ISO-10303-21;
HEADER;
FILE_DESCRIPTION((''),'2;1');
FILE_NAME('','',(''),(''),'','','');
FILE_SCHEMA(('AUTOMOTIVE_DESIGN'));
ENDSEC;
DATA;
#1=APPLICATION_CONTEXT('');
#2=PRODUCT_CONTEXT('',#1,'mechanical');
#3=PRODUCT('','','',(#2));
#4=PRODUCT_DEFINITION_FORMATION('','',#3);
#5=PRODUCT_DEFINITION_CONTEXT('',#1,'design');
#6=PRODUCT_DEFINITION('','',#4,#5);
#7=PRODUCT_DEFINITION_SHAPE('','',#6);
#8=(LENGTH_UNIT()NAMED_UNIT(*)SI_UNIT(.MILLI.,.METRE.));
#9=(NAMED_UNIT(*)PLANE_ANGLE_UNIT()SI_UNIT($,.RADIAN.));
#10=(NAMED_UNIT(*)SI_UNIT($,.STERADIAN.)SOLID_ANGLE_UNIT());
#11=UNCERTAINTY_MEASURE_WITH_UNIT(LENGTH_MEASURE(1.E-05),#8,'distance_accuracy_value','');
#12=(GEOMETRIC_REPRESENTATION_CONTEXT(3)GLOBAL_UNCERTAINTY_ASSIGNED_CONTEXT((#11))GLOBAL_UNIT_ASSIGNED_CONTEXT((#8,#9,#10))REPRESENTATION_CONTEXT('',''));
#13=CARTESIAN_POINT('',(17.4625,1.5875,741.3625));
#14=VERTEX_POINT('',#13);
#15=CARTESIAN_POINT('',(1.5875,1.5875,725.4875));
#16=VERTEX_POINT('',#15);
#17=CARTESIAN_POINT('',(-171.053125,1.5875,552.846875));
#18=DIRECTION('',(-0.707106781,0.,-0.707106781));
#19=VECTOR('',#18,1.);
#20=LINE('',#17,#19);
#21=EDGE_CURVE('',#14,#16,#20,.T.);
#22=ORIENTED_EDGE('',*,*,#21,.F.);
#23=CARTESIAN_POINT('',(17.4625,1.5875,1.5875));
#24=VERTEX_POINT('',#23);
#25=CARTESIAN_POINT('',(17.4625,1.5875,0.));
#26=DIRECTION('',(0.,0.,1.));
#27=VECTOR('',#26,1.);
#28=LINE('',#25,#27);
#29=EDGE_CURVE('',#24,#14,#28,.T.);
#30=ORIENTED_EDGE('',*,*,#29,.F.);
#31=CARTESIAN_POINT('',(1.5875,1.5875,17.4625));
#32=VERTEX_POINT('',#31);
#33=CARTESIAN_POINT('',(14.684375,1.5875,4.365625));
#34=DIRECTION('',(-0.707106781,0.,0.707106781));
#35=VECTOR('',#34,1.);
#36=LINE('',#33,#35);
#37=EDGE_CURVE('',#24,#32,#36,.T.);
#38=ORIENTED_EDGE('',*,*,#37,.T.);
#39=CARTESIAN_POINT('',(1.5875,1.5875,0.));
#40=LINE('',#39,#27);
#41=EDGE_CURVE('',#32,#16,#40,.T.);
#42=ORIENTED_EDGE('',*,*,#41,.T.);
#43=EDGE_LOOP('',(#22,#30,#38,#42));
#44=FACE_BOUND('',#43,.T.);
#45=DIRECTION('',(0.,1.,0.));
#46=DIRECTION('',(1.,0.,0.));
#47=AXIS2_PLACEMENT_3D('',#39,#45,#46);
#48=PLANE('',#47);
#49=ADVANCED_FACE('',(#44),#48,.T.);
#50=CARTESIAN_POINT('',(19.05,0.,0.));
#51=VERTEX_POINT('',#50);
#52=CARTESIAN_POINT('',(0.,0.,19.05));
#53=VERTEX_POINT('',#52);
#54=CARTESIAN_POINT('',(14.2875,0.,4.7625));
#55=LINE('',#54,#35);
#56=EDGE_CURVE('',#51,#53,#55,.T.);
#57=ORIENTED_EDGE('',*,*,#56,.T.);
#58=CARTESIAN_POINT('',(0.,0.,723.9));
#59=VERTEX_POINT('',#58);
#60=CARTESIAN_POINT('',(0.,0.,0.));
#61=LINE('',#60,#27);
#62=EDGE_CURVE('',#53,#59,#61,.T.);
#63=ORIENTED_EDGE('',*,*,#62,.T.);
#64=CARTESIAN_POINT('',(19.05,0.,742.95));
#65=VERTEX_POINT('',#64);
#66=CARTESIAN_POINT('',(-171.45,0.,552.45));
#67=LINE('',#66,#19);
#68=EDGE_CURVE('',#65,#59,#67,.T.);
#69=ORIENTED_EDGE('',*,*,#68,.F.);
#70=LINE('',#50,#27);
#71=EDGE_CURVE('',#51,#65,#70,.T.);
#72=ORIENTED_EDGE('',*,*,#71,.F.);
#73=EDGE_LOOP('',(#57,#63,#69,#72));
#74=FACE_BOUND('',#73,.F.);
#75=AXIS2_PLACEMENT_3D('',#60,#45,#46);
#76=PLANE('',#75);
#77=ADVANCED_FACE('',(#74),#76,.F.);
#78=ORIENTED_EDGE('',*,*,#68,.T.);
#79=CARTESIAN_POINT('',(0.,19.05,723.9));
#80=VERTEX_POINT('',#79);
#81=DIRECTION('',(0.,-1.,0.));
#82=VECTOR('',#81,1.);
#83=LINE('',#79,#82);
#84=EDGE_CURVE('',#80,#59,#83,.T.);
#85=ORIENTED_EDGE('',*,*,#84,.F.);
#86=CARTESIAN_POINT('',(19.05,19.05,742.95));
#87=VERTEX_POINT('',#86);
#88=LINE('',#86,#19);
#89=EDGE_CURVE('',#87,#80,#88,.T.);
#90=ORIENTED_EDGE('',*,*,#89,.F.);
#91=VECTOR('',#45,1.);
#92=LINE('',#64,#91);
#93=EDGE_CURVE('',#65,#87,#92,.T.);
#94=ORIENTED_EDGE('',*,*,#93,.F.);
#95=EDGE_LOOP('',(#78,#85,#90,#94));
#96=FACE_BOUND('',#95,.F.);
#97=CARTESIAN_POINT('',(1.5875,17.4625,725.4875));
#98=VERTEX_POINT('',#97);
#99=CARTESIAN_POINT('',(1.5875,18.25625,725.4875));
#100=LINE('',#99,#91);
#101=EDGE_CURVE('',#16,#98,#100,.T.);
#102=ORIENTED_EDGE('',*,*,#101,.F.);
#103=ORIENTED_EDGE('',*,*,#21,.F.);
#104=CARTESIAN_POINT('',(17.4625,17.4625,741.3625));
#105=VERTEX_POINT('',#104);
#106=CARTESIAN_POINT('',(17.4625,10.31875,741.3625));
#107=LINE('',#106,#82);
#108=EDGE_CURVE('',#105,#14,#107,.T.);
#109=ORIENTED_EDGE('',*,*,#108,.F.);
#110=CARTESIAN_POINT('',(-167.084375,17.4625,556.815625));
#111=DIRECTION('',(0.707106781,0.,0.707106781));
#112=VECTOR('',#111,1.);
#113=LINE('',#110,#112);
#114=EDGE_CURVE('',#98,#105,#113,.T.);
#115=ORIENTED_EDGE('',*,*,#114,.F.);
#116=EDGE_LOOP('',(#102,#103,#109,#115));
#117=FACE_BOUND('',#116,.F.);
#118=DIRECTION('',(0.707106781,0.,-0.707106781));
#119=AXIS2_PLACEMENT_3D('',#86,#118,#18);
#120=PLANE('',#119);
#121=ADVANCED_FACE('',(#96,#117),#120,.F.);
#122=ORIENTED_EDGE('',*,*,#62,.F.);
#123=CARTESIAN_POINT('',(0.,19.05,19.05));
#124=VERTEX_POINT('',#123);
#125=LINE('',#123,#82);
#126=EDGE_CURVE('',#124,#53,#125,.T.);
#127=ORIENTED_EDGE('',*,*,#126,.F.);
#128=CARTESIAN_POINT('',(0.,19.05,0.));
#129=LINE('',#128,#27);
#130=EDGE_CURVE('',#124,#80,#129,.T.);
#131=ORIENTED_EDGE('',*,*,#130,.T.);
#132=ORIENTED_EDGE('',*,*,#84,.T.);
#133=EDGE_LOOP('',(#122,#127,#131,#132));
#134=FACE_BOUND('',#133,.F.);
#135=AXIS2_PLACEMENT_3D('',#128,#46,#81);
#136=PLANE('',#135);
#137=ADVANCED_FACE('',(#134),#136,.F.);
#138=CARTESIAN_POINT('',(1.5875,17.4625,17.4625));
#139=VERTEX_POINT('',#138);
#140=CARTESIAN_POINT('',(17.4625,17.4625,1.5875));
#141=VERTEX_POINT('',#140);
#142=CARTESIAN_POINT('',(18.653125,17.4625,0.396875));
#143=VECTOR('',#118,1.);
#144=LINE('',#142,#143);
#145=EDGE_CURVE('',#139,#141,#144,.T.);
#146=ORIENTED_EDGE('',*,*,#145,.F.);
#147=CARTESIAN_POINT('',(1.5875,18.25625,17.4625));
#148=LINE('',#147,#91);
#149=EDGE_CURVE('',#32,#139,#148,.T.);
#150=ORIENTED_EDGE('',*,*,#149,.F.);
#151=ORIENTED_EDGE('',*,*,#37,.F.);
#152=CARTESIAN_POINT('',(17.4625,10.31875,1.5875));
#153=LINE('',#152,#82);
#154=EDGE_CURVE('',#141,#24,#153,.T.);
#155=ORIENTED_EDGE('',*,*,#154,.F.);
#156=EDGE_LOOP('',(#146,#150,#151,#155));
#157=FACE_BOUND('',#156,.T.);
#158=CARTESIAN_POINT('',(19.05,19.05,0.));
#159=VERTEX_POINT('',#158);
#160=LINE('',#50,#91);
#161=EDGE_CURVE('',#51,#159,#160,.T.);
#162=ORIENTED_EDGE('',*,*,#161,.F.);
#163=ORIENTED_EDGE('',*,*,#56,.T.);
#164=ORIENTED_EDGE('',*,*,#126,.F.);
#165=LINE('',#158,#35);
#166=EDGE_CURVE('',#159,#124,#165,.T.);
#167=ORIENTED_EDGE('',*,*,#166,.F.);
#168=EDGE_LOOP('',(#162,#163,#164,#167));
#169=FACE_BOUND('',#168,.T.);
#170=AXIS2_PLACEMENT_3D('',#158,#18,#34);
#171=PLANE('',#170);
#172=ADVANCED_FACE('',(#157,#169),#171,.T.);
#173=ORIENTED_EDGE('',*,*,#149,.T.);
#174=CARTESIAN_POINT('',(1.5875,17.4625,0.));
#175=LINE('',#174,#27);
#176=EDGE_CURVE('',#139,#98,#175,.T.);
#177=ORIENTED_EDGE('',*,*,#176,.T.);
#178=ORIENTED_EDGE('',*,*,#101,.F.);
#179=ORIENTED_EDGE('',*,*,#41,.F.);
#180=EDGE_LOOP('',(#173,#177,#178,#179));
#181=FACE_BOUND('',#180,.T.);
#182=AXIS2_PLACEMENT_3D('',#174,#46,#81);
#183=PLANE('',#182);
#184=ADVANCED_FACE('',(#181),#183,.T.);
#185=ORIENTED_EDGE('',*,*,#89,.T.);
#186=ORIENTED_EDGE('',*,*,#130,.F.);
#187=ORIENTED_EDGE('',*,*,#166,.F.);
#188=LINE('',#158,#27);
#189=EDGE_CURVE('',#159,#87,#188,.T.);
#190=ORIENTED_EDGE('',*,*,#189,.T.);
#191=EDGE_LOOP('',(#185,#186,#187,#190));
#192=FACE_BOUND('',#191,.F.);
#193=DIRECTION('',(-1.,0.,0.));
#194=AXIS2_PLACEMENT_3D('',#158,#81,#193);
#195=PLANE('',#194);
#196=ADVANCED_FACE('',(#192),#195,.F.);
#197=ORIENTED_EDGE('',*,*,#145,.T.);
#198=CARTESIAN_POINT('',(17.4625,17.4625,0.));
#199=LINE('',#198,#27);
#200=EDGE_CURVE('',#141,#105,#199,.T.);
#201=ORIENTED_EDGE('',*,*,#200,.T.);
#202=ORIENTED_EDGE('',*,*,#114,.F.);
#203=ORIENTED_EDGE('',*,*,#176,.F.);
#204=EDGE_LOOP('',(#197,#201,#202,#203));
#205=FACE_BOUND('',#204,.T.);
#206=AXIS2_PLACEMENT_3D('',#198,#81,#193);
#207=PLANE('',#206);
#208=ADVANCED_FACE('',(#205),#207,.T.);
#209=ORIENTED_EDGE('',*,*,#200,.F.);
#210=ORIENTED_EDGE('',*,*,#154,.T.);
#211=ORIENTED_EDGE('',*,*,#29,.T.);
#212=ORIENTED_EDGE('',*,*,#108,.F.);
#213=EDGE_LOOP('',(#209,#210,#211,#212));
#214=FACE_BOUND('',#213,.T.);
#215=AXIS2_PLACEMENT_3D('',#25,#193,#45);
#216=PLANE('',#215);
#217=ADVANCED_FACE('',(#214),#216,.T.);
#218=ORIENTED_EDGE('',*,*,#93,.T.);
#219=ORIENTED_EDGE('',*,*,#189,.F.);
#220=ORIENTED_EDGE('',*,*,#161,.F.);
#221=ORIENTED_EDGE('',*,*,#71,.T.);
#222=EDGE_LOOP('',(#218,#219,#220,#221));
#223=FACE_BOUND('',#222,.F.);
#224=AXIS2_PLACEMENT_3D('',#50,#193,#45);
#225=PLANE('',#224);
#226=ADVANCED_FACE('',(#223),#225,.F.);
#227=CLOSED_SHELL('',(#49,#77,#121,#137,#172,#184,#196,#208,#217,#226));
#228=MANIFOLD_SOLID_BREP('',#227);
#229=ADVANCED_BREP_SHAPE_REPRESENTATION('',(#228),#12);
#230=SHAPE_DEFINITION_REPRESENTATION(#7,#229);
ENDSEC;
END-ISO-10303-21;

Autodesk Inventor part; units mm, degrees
ref_plane "YZ Plane" through (0, 0, 0) normal (1, 0, 0) x (0, 1, 0)
ref_plane "XZ Plane" through (0, 0, 0) normal (0, 1, 0) x (-1, 0, 0)
ref_plane "XY Plane" through (0, 0, 0) normal (0, 0, 1) x (1, 0, 0)
sketch "Sketch1" plane through (0, 0, 0) normal (0, 0, 1) x (1, 0, 0)
  line L0 (0, 0) -> (19.05, 0)
  line L1 (19.05, 0) -> (19.05, 19.05)
  line L2 (19.05, 19.05) -> (0, 19.05)
  line L3 (0, 19.05) -> (0, 0)
  line L4 (17.4625, 17.4625) -> (1.5875, 17.4625)
  line L5 (1.5875, 17.4625) -> (1.5875, 1.5875)
  line L6 (1.5875, 1.5875) -> (17.4625, 1.5875)
  line L7 (17.4625, 1.5875) -> (17.4625, 17.4625)
  dimension "d0" = 19.05
  dimension "d1" = 19.05
  dimension "d2" = 1.5875
  dimension "d3" = 1.5875
  dimension "d4" = 1.5875
  dimension "d5" = 1.5875
extrude "Extrusion1" add sketch "Sketch1" along normal blind 742.95
sketch "Sketch2" plane through (0, 19.05, 0) normal (0, 1, 0) x (1, 0, 0)
  line L0 (19.05, 0) -> (0, 0) projected
  line L1 (0, 0) -> (0, -742.95) projected
  line L2 (19.05, -742.95) -> (0, -742.95) projected
  line L3 (19.05, -742.95) -> (0, -723.9)
  line L4 (19.05, 0) -> (0, -19.05)
  dimension "d8" = 45
  dimension "d9" = 45
extrude "Extrusion2" cut sketch "Sketch2" against normal through all
equation "\"d3\" = d2"
equation "\"d4\" = d2"
equation "\"d5\" = d3"
properties part number "Bumper Rail Side"
